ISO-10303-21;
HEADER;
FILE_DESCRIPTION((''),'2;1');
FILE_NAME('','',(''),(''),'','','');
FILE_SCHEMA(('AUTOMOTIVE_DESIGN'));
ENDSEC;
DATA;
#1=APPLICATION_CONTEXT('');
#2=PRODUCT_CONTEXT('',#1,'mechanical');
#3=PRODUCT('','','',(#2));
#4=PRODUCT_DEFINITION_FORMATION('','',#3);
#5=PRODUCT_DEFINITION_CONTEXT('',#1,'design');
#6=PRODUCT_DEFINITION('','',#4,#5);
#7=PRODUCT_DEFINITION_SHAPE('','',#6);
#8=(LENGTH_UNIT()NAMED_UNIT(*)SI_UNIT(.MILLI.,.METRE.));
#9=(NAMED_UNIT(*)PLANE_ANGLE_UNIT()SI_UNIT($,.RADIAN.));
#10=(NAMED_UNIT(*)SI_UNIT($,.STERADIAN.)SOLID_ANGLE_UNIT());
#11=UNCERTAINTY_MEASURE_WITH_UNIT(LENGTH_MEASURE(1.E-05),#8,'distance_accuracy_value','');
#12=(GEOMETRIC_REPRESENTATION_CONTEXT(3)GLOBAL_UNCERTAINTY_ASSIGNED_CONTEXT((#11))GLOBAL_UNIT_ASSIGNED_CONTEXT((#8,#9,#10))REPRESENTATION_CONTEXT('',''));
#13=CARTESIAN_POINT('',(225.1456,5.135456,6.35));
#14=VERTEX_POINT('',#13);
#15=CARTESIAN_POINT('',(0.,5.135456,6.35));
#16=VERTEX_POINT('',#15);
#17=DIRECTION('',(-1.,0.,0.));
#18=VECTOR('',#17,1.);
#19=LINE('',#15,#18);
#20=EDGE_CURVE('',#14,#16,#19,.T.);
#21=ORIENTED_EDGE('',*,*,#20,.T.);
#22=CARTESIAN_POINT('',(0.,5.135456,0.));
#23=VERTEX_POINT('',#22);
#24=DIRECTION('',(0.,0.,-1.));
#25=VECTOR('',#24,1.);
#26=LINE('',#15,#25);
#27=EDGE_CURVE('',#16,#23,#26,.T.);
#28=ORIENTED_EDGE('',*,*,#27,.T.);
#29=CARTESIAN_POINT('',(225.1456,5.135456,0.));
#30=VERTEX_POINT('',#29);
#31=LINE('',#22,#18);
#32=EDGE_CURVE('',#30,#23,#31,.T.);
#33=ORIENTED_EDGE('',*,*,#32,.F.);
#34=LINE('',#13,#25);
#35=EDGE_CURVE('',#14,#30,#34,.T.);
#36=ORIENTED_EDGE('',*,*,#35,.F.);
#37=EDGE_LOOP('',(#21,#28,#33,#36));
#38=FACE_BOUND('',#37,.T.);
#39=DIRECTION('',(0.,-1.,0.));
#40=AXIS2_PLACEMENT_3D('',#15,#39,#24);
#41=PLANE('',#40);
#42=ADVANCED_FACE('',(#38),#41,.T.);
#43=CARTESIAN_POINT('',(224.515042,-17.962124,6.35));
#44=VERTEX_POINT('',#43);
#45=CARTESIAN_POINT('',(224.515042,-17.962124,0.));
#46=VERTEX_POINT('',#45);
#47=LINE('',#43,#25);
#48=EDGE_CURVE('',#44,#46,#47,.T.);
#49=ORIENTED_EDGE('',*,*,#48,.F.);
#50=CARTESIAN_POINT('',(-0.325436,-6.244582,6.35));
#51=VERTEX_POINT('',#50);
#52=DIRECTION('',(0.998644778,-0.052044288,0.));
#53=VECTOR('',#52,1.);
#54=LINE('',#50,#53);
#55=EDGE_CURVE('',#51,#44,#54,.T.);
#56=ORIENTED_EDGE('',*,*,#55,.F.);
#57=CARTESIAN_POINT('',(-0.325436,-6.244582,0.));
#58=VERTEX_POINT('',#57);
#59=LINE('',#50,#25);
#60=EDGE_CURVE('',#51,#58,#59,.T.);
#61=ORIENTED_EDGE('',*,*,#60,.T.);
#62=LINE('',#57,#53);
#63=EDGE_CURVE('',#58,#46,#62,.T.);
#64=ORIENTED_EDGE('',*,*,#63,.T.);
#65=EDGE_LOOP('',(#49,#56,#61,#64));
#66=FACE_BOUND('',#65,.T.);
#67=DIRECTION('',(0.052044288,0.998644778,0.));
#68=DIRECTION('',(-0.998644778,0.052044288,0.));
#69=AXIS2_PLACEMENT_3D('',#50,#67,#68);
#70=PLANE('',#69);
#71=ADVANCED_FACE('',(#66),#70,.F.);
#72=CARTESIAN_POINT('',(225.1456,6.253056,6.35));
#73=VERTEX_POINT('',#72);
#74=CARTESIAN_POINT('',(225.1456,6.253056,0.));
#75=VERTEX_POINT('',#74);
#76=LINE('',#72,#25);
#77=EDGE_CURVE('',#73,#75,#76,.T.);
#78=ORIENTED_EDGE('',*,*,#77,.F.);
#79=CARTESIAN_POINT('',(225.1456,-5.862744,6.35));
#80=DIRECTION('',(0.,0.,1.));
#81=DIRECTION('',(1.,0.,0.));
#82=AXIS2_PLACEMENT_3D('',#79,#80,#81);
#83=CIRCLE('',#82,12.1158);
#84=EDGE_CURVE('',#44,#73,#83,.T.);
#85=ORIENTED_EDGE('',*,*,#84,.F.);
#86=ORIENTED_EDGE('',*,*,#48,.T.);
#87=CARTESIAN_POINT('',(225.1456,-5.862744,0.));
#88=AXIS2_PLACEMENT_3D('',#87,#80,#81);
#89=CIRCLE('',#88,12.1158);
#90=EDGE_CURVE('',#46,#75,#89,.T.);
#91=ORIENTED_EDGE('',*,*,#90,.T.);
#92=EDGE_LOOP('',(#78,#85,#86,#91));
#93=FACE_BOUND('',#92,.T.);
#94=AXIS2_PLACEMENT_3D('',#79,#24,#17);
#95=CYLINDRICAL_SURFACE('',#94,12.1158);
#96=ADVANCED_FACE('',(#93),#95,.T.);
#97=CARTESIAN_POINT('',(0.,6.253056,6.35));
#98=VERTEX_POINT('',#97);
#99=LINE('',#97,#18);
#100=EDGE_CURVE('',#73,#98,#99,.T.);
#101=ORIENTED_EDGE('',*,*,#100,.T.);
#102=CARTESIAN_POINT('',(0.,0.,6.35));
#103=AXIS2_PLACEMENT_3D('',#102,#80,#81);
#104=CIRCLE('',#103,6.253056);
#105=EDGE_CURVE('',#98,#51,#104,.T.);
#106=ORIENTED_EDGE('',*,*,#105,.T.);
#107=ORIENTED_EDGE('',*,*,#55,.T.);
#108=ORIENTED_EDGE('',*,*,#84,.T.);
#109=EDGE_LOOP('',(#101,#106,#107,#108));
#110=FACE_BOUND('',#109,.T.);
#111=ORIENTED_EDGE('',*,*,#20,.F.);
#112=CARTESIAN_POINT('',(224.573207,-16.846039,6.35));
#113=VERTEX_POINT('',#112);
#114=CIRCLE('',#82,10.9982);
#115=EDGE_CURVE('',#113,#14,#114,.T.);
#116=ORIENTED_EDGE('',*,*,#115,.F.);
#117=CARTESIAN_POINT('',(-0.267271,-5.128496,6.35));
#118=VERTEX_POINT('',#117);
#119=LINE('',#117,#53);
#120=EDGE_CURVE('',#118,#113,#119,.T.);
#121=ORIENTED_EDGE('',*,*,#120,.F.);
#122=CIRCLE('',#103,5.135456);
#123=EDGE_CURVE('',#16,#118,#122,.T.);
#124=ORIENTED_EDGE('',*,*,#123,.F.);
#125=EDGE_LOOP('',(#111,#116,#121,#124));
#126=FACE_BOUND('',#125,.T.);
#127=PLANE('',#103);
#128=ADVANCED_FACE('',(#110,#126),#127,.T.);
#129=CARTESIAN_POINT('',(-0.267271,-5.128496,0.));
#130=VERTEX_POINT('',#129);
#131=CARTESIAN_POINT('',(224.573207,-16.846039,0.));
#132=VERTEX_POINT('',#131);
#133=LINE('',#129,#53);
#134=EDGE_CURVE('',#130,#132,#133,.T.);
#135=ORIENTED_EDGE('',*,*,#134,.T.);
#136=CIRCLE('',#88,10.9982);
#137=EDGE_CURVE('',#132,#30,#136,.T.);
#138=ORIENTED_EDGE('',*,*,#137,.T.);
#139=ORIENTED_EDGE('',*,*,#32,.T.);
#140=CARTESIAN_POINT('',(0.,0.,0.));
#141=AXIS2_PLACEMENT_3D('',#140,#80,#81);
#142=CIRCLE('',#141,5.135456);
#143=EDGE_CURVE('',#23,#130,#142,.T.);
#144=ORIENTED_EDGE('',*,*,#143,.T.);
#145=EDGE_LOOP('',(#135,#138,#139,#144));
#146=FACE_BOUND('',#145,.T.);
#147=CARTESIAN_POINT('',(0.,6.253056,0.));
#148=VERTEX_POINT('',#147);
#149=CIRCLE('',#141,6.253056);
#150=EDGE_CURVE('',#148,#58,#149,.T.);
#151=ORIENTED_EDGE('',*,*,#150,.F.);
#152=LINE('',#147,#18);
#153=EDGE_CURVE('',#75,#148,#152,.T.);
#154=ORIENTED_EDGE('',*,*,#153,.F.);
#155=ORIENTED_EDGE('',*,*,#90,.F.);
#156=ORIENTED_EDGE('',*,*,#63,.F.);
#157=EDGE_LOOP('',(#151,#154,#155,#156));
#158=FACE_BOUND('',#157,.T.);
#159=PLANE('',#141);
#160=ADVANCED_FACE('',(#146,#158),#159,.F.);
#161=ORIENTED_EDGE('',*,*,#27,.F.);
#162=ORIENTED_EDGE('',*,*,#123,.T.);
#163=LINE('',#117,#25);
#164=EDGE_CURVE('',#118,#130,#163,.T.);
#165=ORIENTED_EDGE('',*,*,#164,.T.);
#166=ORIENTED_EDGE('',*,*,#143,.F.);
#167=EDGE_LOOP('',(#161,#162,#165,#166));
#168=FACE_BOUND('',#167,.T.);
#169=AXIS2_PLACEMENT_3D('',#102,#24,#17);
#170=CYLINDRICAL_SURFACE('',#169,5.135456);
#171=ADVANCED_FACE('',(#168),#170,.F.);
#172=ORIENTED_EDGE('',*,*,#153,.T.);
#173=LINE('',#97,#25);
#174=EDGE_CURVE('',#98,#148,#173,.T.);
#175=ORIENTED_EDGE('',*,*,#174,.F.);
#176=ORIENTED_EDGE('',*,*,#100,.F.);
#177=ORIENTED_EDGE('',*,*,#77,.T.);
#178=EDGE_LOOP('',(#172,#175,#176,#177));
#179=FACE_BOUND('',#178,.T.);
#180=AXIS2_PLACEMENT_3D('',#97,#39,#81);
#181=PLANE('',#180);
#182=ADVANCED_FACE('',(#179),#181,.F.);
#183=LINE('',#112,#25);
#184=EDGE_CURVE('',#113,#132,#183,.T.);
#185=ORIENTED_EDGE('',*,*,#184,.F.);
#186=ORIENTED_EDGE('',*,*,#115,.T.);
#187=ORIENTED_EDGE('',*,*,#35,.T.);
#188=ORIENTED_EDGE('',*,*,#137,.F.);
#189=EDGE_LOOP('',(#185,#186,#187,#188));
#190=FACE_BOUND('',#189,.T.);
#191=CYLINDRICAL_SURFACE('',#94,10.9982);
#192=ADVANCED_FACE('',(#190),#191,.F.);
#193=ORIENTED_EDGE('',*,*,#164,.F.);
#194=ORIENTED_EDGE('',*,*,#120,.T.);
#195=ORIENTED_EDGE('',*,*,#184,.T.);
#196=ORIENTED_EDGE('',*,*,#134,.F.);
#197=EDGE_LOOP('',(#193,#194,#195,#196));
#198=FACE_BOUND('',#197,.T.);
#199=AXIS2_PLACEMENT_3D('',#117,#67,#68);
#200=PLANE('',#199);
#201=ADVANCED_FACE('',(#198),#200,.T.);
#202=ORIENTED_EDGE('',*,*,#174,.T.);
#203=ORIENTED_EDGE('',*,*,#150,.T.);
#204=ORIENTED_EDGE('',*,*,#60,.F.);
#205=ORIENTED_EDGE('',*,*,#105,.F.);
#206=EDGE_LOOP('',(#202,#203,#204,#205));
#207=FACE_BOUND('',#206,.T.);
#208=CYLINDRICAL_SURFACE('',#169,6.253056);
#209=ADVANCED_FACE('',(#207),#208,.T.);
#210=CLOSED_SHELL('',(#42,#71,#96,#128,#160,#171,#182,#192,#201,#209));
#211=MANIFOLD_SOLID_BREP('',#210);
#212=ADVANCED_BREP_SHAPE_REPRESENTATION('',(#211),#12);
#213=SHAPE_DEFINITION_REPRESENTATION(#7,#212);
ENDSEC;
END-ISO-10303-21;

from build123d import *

# Parameters (mm, degrees)
BOSS_EXTRUDE1_DEPTH = 6.35


with BuildPart() as part:
    # Sketch1 → Boss-Extrude1 (new body)
    with BuildSketch(Plane.XY):
        with BuildLine():
            Line((-0.325435853, -6.244581835), (224.515041815, -17.962124282))
            ThreePointArc((224.515041815, -17.962124282), (237.257294404, -6.178129849), (225.1456, 6.253056116))
            Line((225.1456, 6.253056116), (0, 6.253056116))
            ThreePointArc((0, 6.253056116), (-6.250937186, 0.162773084), (-0.325435853, -6.244581835))
        make_face()
        with BuildLine():
            Line((0, 5.135456116), (225.1456, 5.135456116))
            ThreePointArc((225.1456, 5.135456116), (236.140073117, -6.149037643), (224.573206512, -16.846038879))
            Line((224.573206512, -16.846038879), (-0.267271157, -5.128496431))
            ThreePointArc((-0.267271157, -5.128496431), (-5.1337159, 0.133680878), (0, 5.135456116))
        make_face(mode=Mode.SUBTRACT)
    extrude(amount=BOSS_EXTRUDE1_DEPTH)


solid = part.part
